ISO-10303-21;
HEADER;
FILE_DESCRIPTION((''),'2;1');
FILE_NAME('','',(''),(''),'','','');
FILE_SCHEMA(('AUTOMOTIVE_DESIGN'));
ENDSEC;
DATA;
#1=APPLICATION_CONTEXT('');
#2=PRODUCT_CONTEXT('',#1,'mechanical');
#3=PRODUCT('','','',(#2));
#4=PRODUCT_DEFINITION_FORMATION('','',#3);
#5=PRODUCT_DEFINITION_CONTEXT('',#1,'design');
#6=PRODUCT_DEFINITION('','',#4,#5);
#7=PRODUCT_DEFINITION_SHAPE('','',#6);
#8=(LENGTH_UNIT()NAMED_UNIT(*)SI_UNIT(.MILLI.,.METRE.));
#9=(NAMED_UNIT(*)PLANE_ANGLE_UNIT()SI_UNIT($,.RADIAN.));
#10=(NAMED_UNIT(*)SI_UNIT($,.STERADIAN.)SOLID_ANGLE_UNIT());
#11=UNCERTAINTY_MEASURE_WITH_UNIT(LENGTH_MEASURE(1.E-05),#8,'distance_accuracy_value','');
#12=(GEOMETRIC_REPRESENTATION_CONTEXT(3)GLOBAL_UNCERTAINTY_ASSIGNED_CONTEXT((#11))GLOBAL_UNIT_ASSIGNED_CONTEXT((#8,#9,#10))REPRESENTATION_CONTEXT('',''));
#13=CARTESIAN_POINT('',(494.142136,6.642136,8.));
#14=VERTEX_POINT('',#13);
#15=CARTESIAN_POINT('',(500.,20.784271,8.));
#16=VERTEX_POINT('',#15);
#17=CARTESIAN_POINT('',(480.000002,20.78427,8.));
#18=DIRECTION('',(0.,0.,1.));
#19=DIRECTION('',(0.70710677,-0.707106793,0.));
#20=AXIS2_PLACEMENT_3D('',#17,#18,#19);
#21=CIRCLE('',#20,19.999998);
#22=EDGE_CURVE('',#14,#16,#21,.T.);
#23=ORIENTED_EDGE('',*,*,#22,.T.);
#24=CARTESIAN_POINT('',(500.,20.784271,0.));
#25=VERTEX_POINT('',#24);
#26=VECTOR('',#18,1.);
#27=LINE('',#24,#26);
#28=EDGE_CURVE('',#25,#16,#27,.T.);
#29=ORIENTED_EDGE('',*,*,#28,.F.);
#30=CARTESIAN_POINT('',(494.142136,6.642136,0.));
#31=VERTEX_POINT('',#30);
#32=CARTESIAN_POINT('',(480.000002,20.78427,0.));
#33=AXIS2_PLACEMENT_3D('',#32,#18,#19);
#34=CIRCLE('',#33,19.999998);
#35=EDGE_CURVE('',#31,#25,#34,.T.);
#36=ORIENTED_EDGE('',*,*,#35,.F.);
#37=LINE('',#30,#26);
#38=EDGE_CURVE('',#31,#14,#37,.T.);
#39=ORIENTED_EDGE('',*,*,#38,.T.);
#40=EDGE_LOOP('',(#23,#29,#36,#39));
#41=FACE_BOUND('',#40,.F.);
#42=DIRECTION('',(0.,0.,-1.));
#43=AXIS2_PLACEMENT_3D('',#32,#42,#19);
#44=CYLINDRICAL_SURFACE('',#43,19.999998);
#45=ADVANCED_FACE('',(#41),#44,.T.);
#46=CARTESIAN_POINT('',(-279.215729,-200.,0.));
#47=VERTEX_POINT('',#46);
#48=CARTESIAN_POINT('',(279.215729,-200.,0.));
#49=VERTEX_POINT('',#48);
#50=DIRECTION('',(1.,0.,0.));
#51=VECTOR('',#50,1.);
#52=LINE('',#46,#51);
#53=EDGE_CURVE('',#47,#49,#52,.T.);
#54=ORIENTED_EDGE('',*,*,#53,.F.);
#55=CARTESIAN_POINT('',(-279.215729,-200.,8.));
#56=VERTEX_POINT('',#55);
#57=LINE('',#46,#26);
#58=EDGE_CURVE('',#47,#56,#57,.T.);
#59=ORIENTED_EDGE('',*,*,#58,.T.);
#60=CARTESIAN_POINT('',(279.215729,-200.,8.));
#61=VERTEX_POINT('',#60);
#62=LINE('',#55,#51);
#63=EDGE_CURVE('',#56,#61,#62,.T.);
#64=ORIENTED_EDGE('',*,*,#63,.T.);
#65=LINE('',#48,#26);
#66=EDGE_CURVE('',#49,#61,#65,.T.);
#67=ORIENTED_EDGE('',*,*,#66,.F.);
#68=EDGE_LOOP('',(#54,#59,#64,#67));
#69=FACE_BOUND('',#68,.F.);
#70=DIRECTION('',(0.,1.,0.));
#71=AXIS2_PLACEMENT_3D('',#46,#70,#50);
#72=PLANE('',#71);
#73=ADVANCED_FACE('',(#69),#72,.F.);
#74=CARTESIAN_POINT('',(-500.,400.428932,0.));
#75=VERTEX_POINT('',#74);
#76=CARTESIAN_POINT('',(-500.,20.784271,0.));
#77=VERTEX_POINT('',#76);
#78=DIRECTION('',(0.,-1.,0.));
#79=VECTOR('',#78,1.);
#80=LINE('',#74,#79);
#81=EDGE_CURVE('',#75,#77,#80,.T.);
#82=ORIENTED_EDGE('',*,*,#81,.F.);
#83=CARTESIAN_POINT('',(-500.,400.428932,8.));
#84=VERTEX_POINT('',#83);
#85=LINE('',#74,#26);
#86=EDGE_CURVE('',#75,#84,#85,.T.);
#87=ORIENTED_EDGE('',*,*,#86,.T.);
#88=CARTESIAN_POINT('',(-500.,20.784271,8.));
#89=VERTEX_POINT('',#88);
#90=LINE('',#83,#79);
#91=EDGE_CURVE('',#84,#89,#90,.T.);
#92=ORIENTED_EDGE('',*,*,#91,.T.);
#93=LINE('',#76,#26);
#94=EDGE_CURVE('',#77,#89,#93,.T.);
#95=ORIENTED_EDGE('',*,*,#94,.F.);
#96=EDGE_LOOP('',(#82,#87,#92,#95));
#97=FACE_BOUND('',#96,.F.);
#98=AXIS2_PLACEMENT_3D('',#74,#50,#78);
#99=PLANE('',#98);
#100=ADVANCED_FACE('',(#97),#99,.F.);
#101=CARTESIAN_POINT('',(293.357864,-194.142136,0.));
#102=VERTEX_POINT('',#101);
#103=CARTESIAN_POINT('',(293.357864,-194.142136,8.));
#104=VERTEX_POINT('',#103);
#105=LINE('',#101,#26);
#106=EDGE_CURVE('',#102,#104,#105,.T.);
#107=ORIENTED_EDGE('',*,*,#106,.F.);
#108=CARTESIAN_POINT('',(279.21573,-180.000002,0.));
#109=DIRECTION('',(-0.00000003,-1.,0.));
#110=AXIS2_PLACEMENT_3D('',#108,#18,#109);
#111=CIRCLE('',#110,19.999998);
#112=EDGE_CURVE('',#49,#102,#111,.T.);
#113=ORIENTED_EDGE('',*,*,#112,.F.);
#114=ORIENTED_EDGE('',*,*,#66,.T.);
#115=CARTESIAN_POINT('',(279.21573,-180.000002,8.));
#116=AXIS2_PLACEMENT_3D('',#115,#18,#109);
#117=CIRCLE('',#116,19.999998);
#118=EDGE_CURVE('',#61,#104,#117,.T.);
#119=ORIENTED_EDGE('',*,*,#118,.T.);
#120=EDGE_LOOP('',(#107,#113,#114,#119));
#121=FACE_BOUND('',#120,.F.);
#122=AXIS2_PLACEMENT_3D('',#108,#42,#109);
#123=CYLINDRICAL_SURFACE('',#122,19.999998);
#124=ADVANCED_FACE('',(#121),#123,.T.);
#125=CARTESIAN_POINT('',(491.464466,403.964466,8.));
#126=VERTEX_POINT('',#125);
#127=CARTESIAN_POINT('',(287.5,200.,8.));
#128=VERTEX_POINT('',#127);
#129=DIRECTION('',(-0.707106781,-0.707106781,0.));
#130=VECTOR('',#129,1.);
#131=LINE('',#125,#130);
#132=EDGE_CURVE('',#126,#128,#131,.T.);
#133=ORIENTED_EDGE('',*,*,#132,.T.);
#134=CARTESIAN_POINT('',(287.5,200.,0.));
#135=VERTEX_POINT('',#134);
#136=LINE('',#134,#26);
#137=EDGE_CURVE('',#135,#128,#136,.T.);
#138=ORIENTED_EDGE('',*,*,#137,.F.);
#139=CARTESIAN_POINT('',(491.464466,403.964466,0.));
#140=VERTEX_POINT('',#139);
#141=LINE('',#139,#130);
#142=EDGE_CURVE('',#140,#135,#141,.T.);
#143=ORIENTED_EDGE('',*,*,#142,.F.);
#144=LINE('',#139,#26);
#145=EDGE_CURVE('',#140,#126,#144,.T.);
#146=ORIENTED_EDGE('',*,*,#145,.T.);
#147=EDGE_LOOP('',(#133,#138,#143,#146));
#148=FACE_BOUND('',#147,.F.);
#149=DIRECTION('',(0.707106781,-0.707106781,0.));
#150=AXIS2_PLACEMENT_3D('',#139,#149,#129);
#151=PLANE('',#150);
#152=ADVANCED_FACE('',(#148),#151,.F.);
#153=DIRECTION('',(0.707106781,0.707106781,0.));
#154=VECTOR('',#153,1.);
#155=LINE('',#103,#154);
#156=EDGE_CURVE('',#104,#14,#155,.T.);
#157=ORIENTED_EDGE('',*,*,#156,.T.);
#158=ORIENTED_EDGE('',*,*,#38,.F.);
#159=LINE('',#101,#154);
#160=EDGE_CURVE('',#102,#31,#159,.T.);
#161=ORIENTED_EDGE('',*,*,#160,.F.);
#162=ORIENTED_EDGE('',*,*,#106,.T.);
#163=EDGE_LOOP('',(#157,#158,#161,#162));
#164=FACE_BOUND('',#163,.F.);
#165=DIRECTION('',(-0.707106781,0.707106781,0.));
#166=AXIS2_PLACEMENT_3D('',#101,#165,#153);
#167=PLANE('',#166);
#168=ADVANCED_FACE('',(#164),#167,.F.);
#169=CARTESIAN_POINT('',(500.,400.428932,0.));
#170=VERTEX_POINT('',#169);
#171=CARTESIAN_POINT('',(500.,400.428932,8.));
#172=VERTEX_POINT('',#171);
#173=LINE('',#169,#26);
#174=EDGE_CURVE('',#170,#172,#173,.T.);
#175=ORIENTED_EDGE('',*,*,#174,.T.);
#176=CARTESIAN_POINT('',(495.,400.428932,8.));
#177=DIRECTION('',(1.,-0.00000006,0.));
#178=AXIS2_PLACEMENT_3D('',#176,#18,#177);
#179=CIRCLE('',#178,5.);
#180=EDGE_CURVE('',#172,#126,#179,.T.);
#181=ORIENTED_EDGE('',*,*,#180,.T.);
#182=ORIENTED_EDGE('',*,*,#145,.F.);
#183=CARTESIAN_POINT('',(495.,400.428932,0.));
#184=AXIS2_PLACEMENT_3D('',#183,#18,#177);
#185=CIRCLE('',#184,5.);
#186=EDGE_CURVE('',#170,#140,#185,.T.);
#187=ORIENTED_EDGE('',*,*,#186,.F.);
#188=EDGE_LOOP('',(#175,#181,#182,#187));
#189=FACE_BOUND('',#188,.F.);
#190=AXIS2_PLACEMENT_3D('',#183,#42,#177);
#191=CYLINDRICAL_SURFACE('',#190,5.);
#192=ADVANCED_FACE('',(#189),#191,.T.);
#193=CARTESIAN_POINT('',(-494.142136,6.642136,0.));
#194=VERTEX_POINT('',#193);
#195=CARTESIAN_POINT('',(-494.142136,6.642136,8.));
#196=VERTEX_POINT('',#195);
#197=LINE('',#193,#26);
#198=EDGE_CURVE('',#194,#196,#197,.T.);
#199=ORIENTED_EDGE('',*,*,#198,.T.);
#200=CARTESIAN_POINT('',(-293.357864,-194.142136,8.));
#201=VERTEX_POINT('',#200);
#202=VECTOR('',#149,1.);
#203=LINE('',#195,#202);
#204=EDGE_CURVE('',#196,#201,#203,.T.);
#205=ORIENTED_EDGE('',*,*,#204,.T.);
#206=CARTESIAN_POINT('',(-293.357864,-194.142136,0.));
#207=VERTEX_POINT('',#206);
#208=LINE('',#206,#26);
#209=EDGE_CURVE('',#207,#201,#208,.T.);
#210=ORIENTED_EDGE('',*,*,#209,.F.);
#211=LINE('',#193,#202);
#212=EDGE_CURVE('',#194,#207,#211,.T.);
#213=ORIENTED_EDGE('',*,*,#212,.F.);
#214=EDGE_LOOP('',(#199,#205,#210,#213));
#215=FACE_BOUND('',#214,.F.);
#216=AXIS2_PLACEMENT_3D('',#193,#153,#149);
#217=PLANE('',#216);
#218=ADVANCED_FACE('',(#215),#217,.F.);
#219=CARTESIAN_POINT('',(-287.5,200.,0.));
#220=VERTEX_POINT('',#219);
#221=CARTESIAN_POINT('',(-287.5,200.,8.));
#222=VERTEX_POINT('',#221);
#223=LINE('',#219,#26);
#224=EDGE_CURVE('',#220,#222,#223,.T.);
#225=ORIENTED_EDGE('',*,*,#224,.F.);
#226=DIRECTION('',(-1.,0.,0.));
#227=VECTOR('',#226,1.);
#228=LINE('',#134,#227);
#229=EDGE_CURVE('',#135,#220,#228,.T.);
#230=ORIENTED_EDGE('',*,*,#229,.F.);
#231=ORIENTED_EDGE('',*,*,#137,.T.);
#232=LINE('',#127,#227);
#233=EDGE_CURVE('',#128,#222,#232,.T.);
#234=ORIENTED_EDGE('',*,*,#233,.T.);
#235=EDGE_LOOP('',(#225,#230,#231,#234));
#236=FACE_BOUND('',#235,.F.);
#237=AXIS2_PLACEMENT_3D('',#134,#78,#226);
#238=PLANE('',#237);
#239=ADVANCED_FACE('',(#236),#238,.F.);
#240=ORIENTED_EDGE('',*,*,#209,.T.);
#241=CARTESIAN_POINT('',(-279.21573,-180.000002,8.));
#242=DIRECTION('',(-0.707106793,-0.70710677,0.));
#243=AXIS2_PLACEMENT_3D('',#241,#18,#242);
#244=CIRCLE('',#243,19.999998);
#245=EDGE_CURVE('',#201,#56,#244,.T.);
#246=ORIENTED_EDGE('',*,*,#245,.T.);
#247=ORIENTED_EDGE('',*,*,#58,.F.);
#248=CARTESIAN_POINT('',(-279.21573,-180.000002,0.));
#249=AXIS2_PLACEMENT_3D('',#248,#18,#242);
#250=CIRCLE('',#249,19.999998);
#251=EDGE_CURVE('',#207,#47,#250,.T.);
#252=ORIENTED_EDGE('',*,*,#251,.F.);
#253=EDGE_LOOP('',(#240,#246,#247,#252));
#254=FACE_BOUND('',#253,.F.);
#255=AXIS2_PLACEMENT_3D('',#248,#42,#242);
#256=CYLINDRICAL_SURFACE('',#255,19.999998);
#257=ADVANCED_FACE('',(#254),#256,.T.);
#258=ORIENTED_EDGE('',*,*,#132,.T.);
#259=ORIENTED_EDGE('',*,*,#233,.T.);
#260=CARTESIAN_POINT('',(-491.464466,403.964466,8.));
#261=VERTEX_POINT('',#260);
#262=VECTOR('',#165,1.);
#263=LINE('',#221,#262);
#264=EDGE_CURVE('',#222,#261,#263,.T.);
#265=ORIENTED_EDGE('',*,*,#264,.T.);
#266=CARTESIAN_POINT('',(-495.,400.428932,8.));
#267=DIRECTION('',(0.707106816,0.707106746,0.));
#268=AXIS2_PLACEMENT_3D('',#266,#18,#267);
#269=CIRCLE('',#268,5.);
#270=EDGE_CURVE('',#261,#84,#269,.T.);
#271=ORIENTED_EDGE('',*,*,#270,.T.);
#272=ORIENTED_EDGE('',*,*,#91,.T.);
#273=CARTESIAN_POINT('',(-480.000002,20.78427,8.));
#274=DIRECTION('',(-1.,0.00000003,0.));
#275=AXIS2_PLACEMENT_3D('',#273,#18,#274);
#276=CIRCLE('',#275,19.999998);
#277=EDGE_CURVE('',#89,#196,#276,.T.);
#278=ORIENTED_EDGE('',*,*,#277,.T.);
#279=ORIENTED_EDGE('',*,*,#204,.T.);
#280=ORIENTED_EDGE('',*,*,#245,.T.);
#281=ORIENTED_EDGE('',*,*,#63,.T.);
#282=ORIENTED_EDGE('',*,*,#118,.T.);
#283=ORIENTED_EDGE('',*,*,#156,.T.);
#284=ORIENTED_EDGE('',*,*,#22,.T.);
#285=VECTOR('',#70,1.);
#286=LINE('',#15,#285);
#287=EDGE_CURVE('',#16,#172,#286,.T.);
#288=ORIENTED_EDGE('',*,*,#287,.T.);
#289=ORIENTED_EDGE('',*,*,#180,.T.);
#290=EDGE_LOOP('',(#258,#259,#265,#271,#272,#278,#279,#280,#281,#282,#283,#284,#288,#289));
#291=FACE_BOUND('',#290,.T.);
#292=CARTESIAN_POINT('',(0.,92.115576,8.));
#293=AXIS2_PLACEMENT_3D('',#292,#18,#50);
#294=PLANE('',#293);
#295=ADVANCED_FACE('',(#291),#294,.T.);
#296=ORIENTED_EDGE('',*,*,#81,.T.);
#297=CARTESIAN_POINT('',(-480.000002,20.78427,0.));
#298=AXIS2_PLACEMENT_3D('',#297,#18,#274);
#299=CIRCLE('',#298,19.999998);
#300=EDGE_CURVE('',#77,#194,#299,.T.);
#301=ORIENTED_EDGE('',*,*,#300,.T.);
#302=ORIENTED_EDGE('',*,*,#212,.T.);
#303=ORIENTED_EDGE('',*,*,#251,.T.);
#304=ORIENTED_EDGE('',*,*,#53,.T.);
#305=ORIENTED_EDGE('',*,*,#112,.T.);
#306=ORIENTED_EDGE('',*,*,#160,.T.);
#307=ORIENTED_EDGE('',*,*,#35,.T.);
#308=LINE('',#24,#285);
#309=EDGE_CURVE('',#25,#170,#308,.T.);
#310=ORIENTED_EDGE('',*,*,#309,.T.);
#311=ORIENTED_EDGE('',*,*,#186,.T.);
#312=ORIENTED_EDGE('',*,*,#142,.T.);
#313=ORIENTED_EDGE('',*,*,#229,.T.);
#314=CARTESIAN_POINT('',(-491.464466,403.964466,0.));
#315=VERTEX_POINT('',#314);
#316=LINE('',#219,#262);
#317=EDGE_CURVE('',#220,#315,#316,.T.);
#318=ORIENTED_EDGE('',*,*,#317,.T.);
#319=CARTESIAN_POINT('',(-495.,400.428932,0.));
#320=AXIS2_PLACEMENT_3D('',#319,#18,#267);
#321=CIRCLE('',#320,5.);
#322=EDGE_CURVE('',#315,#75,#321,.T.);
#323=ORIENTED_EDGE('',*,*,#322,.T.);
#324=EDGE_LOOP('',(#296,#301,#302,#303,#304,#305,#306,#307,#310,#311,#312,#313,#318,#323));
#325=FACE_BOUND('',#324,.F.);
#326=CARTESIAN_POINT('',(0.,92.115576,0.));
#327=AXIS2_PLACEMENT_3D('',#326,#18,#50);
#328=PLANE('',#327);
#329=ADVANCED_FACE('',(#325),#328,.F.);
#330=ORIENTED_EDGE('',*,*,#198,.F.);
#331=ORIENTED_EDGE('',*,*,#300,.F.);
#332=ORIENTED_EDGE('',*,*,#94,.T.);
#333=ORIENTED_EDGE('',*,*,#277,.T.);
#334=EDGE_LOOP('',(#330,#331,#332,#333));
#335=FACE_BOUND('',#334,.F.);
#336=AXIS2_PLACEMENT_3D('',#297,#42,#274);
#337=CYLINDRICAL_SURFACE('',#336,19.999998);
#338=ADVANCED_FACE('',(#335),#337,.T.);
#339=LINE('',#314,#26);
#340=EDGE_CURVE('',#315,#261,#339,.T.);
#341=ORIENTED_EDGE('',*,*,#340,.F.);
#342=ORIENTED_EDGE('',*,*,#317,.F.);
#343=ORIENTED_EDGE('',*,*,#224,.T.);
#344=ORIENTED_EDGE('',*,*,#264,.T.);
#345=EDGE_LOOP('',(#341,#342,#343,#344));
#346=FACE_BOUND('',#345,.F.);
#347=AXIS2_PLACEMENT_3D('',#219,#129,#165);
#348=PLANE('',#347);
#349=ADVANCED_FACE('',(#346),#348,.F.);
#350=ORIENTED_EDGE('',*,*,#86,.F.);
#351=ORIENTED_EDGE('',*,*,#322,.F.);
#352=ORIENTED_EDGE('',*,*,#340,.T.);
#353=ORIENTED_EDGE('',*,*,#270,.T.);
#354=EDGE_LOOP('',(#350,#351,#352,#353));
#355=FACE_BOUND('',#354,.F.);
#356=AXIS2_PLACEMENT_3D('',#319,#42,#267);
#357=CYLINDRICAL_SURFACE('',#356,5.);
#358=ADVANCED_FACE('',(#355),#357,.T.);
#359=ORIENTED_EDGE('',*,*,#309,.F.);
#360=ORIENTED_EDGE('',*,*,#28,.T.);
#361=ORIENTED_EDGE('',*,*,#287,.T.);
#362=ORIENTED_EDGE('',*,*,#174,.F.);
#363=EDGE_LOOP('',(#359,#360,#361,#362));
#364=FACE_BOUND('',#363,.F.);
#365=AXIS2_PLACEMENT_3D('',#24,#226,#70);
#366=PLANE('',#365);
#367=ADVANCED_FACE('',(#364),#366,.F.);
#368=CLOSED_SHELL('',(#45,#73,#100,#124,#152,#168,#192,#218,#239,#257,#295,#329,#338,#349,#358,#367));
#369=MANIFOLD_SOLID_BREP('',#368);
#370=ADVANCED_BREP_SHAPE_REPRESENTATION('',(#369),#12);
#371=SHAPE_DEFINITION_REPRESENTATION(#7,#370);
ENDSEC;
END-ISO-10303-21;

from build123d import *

# Parameters (mm, degrees)
F1_DEPTH = 8


with BuildPart() as f1:
    # F0 (on Top) → F1 (new body)
    with BuildSketch(Plane.XY):
        with BuildLine():
            Line((287.5, 200), (-287.5, 200))
            Line((-287.5, 200), (-491.464466, 403.964466))
            ThreePointArc((-491.464466, 403.964466), (-496.913417, 405.04833), (-500, 400.428932))
            Line((-500, 400.428932), (-500, 20.784271))
            ThreePointArc((-500, 20.784271), (-498.477591, 13.130603), (-494.142136, 6.642136))
            Line((-494.142136, 6.642136), (-293.357864, -194.142136))
            ThreePointArc((-293.357864, -194.142136), (-286.869397, -198.477591), (-279.215729, -200))
            Line((-279.215729, -200), (279.215729, -200))
            ThreePointArc((279.215729, -200), (286.869397, -198.477591), (293.357864, -194.142136))
            Line((293.357864, -194.142136), (494.142136, 6.642136))
            ThreePointArc((494.142136, 6.642136), (498.477591, 13.130603), (500, 20.784271))
            Line((500, 20.784271), (500, 400.428932))
            ThreePointArc((500, 400.428932), (496.913417, 405.04833), (491.464466, 403.964466))
            Line((491.464466, 403.964466), (287.5, 200))
        make_face()
    extrude(amount=F1_DEPTH)


solid = f1.part
